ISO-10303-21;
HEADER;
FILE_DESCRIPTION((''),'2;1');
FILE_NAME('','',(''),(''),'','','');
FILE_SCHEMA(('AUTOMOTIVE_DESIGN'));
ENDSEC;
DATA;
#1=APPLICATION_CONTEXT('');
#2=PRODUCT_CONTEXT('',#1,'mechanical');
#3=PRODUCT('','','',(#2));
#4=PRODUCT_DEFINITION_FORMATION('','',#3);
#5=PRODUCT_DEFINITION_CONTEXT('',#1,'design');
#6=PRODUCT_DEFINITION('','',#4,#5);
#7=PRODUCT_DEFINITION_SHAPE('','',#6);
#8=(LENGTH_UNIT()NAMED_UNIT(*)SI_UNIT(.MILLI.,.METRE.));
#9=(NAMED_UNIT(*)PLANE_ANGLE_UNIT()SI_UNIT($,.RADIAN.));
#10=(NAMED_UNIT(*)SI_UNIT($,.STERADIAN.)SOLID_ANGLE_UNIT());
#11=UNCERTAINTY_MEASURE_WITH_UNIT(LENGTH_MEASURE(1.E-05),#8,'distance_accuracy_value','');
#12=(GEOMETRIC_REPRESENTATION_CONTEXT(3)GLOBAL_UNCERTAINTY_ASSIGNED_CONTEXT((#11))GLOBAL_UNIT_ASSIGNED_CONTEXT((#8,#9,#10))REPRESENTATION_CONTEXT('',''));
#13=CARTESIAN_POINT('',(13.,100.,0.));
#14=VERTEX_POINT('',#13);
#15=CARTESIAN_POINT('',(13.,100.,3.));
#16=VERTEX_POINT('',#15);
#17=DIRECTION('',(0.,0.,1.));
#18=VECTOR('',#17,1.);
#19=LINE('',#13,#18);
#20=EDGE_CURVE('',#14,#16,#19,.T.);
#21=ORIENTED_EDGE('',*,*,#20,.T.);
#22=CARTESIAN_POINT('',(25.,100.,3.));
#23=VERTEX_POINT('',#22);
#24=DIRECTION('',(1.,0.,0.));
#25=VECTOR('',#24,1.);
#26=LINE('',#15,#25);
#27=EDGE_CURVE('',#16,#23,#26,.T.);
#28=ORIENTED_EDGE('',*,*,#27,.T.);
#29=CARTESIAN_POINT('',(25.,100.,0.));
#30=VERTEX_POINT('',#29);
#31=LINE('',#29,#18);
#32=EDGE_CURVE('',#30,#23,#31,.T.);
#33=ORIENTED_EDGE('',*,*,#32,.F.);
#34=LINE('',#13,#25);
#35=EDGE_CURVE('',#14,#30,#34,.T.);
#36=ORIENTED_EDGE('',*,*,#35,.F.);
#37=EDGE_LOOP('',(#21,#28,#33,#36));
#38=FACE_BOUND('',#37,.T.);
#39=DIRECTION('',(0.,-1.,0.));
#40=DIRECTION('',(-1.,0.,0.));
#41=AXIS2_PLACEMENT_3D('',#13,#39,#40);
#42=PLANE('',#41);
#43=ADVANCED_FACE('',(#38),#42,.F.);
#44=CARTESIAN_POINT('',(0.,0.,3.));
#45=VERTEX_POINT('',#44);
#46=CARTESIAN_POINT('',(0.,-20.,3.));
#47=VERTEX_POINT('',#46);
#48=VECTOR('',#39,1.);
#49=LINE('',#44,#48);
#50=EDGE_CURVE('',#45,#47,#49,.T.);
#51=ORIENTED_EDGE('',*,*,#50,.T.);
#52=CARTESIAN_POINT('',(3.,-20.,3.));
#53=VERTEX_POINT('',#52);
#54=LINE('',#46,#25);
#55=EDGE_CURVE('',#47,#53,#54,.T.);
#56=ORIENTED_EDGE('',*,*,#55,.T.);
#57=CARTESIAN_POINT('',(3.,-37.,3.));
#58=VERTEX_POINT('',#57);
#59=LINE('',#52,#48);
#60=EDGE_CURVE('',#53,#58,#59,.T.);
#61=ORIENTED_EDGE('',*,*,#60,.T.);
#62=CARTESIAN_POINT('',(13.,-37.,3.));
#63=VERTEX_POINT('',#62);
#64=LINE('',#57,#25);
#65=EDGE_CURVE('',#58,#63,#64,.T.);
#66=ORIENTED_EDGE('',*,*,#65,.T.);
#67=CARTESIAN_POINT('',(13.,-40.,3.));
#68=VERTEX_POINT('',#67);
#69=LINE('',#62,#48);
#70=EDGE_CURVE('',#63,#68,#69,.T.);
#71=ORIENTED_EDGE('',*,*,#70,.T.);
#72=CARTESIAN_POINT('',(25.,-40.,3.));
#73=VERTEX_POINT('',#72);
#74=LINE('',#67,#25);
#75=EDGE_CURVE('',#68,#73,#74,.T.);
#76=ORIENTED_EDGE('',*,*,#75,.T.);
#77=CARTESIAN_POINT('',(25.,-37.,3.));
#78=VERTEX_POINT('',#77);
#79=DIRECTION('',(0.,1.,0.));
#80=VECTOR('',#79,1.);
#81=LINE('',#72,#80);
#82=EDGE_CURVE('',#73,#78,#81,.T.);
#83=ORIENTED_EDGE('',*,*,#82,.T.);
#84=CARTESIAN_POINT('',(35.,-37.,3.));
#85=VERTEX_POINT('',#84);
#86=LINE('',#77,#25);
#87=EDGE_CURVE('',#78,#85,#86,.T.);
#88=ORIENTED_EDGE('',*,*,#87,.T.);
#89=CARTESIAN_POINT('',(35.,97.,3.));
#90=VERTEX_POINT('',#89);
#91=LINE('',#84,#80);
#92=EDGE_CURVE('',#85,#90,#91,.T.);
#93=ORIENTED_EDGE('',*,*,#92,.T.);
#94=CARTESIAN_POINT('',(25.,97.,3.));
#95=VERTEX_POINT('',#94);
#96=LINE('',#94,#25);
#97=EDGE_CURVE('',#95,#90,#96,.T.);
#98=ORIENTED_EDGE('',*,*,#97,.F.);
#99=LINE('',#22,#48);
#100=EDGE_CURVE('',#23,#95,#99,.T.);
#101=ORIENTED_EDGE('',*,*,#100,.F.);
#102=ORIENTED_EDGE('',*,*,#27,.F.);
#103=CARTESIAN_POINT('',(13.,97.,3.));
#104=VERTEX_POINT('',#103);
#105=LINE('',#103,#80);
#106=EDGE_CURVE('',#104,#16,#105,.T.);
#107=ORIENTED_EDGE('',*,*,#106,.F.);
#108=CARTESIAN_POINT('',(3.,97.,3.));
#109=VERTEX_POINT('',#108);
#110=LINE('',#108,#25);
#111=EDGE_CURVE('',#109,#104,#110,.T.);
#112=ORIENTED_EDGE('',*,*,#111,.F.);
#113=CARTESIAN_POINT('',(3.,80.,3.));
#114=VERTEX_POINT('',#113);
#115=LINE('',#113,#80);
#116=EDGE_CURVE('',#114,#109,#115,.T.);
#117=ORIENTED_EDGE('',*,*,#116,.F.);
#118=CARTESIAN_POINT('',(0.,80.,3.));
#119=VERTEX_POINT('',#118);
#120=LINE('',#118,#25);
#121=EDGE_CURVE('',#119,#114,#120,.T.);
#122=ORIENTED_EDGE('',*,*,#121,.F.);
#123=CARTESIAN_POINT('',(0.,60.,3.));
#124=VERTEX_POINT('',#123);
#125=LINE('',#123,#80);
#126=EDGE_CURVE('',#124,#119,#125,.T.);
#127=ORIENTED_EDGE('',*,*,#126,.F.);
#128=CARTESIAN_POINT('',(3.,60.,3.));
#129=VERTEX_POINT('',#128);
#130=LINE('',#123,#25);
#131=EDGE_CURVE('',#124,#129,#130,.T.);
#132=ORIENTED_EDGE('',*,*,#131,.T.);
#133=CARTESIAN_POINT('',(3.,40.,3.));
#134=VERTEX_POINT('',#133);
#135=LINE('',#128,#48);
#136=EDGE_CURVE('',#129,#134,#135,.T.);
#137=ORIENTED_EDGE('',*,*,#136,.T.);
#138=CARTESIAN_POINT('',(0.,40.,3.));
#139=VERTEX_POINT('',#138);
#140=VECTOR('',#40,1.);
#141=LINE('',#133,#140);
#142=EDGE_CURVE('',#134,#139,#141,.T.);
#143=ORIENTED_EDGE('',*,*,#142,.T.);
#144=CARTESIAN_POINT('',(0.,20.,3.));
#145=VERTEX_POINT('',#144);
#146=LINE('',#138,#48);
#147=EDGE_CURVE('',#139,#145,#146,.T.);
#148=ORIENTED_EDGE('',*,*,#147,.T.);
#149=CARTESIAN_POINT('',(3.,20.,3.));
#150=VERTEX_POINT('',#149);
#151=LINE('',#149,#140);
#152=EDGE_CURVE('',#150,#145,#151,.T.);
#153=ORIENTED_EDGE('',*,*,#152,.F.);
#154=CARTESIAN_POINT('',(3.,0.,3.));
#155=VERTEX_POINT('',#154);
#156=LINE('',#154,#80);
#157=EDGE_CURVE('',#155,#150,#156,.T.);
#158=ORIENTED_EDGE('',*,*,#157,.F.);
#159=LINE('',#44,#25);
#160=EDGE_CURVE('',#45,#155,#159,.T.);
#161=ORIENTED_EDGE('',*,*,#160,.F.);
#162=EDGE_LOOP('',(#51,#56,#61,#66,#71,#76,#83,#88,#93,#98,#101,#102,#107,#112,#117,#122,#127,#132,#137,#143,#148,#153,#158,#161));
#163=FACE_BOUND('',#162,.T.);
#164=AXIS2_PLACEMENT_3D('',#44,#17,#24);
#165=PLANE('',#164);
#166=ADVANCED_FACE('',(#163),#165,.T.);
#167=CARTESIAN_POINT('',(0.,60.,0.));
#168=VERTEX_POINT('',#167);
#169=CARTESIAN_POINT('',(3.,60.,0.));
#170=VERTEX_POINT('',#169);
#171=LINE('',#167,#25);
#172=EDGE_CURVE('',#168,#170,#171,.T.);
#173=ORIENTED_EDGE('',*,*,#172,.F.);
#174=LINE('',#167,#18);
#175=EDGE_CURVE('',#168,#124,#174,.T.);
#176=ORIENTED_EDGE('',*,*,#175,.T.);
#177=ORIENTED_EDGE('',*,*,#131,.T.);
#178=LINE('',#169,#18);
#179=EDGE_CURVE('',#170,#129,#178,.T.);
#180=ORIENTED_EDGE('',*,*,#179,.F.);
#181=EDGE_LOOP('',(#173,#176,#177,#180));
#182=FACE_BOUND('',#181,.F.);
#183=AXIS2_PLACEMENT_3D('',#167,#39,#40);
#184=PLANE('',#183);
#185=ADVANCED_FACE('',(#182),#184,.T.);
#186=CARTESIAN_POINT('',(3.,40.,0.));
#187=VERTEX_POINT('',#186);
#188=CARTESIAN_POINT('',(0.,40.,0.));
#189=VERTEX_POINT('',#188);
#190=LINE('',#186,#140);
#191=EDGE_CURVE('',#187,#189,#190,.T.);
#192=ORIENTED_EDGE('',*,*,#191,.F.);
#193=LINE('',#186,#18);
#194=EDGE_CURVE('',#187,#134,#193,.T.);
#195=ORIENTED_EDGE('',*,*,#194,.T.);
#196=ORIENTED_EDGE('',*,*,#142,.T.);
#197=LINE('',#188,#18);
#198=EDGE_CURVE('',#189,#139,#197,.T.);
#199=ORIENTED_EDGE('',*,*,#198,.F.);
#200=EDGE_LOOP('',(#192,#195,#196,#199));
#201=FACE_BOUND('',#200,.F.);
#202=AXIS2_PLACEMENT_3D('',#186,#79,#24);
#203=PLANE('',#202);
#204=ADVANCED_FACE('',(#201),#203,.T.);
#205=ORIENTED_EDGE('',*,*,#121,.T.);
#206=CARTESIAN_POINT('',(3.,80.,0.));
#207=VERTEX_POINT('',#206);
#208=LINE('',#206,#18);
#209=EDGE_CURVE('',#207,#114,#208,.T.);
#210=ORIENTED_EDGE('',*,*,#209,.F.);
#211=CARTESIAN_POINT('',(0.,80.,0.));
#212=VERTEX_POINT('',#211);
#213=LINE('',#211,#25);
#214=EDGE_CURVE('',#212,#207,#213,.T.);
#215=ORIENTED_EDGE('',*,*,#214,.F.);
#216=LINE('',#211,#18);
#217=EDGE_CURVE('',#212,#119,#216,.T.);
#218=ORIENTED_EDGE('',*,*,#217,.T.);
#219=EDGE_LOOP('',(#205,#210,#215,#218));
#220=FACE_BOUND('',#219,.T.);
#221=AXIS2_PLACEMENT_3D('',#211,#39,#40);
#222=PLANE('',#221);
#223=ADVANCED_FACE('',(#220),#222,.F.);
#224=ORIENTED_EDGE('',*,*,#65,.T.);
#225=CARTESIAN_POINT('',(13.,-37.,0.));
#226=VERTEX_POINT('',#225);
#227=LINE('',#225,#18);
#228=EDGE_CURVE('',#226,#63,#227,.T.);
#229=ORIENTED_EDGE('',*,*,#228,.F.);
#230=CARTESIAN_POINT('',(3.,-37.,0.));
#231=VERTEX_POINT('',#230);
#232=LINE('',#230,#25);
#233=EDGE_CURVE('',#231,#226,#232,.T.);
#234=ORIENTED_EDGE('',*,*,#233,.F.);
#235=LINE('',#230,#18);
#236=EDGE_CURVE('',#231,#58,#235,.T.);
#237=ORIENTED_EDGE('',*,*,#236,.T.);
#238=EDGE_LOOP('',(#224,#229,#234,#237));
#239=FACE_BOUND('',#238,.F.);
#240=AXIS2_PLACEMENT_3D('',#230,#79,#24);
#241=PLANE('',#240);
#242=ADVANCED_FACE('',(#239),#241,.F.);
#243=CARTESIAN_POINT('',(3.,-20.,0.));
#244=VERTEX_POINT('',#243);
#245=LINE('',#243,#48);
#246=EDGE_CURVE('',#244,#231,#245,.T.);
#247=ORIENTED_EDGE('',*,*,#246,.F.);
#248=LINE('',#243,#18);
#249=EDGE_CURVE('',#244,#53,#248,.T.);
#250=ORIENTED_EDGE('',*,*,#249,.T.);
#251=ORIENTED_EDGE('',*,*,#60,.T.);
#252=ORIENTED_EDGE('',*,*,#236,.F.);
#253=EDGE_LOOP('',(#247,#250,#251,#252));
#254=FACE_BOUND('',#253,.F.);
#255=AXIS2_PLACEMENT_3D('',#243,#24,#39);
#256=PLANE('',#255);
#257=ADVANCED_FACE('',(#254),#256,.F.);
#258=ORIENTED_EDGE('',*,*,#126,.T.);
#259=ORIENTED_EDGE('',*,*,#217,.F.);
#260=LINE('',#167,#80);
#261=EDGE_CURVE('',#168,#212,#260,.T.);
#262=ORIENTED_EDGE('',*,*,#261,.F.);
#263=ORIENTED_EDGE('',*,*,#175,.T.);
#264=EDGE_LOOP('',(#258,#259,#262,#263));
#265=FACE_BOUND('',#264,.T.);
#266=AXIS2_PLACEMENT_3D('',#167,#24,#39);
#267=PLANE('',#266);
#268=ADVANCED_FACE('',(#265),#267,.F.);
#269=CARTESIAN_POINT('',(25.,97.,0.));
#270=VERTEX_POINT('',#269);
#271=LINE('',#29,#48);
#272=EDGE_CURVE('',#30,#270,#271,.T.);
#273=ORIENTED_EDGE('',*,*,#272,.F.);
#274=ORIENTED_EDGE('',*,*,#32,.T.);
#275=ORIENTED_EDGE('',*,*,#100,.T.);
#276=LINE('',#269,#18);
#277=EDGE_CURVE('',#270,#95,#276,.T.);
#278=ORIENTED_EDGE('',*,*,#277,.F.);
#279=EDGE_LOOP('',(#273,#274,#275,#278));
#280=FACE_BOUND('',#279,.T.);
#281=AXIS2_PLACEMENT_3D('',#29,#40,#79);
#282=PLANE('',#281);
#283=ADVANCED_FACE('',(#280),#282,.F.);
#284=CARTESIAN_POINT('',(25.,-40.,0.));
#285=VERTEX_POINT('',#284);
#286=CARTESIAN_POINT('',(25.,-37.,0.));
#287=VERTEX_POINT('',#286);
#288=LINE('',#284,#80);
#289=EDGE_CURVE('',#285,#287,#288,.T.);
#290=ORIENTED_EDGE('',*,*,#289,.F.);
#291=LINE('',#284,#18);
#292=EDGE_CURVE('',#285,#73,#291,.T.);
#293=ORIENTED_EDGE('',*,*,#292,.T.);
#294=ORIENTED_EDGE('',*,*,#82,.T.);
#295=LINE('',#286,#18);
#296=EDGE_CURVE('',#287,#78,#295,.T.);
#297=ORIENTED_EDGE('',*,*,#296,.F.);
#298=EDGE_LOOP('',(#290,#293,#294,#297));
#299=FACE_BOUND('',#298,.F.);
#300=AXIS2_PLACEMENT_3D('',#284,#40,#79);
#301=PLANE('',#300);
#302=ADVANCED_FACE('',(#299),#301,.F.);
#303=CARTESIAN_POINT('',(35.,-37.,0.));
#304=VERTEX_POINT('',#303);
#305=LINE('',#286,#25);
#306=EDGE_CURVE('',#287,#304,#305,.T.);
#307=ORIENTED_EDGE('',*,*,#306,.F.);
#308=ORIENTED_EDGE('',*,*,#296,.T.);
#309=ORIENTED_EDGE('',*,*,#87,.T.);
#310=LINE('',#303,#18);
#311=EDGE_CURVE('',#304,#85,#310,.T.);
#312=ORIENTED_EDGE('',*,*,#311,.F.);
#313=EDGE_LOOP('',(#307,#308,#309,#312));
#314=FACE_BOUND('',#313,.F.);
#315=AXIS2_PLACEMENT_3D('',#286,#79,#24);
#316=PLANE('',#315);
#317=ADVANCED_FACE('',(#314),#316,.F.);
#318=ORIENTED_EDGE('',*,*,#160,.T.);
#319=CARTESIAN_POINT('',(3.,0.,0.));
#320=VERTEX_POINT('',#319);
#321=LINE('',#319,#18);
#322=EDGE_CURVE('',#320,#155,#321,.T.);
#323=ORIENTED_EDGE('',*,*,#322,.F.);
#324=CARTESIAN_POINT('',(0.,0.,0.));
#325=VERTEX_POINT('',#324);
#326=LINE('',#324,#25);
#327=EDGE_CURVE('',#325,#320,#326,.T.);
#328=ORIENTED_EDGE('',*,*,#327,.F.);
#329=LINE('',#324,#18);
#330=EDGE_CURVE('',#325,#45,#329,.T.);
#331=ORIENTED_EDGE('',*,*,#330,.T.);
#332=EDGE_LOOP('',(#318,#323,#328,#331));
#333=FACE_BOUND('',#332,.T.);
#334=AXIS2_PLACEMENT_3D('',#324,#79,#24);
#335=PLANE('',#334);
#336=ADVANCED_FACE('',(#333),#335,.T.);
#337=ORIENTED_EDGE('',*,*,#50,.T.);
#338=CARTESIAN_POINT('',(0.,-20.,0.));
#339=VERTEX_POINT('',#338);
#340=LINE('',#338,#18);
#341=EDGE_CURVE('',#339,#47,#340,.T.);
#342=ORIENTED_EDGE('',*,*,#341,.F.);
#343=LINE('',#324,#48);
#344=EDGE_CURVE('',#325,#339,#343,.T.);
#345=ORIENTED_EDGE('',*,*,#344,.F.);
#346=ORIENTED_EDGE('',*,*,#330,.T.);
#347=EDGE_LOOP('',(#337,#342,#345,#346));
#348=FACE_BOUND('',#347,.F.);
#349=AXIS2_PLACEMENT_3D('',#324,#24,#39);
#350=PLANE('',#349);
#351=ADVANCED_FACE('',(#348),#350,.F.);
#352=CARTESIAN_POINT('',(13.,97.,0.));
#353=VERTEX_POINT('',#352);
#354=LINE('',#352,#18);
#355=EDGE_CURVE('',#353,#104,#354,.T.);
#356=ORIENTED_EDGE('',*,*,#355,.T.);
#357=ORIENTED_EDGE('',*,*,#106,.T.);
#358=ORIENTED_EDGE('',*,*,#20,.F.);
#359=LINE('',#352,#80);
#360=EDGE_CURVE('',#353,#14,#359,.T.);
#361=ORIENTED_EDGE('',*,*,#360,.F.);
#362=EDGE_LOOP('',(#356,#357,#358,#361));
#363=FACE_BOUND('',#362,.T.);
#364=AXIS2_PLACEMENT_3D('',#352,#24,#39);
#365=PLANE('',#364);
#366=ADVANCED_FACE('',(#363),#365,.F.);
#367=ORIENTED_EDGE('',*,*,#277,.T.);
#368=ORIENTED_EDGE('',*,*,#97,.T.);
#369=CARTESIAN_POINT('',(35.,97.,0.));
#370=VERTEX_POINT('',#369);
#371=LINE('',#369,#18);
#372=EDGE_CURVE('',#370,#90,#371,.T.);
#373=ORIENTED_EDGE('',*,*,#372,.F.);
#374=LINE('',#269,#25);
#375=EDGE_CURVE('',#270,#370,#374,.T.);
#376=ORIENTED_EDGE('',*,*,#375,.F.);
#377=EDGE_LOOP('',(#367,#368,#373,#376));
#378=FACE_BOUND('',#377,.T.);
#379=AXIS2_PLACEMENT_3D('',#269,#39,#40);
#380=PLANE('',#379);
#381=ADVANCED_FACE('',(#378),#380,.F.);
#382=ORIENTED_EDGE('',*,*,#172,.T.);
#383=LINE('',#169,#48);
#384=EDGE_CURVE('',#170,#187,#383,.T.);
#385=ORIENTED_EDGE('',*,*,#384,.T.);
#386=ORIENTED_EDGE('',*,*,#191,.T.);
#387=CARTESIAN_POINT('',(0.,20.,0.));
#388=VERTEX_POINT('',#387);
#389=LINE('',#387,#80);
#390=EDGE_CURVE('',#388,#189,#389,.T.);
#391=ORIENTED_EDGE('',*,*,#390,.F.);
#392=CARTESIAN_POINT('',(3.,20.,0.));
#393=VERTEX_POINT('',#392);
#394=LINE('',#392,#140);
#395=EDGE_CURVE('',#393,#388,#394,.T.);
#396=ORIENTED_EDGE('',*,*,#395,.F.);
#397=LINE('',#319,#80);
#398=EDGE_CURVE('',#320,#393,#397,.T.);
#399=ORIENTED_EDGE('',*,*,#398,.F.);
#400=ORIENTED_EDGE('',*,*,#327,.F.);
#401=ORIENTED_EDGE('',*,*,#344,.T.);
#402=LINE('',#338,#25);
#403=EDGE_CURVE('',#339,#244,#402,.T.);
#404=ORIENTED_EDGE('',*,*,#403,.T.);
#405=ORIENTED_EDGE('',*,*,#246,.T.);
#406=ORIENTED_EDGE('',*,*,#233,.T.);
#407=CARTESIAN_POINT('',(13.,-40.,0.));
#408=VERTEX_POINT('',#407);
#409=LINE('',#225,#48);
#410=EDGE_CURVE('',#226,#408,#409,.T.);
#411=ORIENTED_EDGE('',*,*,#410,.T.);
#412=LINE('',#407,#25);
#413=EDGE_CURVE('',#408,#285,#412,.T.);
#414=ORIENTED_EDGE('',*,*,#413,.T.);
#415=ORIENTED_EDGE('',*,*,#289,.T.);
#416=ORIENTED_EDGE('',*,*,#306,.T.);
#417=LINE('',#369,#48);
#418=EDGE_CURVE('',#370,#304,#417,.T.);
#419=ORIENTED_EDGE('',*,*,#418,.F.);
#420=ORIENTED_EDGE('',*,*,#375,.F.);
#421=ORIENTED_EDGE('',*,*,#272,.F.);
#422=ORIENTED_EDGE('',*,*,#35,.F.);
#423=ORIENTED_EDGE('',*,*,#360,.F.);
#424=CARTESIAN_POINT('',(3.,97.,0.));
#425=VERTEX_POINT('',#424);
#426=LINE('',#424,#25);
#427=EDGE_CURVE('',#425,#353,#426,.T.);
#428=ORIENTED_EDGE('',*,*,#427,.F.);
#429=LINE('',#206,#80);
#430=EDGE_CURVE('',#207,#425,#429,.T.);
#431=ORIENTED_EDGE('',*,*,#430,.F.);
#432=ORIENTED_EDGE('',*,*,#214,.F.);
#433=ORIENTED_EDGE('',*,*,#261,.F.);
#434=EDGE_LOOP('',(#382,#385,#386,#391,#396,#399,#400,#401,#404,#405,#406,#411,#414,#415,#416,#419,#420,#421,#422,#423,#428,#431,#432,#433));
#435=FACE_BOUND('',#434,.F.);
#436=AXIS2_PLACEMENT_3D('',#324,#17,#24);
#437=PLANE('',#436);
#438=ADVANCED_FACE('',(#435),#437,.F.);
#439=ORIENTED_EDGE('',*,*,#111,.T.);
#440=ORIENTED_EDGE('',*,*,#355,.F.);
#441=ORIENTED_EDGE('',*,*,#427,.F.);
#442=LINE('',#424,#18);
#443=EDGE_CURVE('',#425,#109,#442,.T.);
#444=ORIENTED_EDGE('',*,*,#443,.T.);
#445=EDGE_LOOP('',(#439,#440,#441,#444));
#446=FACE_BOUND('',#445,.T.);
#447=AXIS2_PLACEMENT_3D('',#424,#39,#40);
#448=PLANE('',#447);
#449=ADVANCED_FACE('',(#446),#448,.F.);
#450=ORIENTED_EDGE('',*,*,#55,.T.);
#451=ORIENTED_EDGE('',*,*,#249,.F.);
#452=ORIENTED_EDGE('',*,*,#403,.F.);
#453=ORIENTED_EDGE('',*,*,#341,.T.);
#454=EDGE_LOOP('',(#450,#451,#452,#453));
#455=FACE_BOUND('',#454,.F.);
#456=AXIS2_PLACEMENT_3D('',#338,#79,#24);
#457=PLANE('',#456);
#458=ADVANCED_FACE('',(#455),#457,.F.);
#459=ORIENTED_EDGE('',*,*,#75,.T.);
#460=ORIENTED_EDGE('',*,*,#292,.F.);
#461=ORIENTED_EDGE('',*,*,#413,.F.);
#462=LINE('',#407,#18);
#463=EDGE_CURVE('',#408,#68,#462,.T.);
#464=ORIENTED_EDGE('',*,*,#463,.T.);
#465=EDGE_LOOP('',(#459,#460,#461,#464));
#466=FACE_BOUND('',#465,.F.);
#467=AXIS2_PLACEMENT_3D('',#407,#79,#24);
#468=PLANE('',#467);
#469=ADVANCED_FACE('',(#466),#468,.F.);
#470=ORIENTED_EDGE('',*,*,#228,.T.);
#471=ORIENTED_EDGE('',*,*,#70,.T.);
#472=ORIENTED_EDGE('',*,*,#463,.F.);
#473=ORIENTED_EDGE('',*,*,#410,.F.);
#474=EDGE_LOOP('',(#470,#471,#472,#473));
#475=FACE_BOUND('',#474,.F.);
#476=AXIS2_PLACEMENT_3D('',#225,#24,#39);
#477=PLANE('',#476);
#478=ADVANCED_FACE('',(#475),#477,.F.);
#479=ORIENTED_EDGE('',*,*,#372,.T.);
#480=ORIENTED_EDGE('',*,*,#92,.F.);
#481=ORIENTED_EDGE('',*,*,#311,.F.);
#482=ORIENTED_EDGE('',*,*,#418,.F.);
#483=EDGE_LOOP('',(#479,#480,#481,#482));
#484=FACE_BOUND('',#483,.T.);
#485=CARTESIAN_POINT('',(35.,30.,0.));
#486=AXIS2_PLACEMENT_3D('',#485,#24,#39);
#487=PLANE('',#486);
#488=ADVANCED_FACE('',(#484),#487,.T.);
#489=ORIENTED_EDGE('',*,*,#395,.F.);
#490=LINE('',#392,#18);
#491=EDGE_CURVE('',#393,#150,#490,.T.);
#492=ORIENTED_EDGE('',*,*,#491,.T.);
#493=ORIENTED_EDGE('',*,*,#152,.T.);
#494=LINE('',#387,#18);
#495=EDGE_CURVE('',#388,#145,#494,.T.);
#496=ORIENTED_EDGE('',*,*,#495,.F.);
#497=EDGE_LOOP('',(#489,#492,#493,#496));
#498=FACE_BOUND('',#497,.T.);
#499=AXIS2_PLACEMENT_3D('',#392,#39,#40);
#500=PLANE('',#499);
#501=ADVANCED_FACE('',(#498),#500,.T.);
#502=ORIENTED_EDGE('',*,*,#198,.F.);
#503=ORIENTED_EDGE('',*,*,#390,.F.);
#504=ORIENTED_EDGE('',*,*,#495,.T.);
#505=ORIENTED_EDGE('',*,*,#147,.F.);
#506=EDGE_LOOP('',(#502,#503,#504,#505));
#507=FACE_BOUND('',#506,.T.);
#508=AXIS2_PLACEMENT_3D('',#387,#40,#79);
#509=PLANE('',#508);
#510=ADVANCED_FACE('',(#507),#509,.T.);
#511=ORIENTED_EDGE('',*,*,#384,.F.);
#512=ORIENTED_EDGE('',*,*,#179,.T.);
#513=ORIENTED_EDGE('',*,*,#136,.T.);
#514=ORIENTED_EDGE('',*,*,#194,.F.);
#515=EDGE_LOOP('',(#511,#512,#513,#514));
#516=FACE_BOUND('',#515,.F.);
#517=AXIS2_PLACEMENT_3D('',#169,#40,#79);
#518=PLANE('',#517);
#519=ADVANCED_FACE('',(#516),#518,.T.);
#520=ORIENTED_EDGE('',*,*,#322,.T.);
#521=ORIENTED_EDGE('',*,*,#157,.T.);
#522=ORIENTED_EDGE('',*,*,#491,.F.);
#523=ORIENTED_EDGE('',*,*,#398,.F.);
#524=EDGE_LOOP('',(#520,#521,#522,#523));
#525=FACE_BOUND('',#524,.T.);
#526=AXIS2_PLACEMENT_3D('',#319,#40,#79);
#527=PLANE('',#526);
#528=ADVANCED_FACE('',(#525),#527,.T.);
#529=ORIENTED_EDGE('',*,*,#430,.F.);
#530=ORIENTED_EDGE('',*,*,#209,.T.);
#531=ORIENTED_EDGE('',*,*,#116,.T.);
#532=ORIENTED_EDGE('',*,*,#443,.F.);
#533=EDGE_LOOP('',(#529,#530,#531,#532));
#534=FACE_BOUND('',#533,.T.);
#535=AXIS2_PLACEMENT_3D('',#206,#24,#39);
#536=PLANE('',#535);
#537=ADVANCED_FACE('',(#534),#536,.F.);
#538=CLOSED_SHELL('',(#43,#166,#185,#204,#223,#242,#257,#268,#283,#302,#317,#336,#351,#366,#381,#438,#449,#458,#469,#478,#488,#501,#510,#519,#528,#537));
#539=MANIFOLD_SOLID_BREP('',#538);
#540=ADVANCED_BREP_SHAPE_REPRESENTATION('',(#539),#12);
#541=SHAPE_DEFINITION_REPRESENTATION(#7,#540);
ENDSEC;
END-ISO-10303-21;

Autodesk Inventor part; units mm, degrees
ref_plane "YZ Plane" through (0, 0, 0) normal (1, 0, 0) x (0, 1, 0)
ref_plane "XZ Plane" through (0, 0, 0) normal (0, 1, 0) x (-1, 0, 0)
ref_plane "XY Plane" through (0, 0, 0) normal (0, 0, 1) x (1, 0, 0)
sketch "Sketch1" plane through (0, 0, 0) normal (0, 0, 1) x (1, 0, 0)
  line L0 (0, 0) -> (0, -20)
  line L1 (0, -20) -> (3, -20)
  line L2 (3, -20) -> (3, -37)
  line L3 (3, -37) -> (13, -37)
  line L4 (13, -37) -> (13, -40)
  line L5 (13, -40) -> (25, -40)
  line L6 (25, -40) -> (25, -37)
  line L7 (25, -37) -> (35, -37)
  line L8 (0, 0) -> (3, 0)
  line L9 (3, 0) -> (3, 20)
  line L10 (3, 20) -> (0, 20)
  line L11 (0, 20) -> (0, 30)
  line L12 (0, 30) -> (3, 30)
  line L13 (3, 30) -> (35, 30)
  line L14 (35, 30) -> (35, -37)
  dimension "d0" = 20
  dimension "d1" = 3
  dimension "d2" = 17
  dimension "d3" = 10
  dimension "d4" = 3
  dimension "d5" = 12
  dimension "d6" = 3
  dimension "d7" = 10
  dimension "d8" = 3
  dimension "d9" = 20
  dimension "d10" = 3
  dimension "d11" = 10
  dimension "d12" = 3
  dimension "d13" = 32
extrude "Extrusion1" add sketch "Sketch1" along normal blind 3
mirror "Mirror1" about plane through (35, 30, 0) normal (0, 1, 0) of "Extrusion1"
properties part number "voorkant"
